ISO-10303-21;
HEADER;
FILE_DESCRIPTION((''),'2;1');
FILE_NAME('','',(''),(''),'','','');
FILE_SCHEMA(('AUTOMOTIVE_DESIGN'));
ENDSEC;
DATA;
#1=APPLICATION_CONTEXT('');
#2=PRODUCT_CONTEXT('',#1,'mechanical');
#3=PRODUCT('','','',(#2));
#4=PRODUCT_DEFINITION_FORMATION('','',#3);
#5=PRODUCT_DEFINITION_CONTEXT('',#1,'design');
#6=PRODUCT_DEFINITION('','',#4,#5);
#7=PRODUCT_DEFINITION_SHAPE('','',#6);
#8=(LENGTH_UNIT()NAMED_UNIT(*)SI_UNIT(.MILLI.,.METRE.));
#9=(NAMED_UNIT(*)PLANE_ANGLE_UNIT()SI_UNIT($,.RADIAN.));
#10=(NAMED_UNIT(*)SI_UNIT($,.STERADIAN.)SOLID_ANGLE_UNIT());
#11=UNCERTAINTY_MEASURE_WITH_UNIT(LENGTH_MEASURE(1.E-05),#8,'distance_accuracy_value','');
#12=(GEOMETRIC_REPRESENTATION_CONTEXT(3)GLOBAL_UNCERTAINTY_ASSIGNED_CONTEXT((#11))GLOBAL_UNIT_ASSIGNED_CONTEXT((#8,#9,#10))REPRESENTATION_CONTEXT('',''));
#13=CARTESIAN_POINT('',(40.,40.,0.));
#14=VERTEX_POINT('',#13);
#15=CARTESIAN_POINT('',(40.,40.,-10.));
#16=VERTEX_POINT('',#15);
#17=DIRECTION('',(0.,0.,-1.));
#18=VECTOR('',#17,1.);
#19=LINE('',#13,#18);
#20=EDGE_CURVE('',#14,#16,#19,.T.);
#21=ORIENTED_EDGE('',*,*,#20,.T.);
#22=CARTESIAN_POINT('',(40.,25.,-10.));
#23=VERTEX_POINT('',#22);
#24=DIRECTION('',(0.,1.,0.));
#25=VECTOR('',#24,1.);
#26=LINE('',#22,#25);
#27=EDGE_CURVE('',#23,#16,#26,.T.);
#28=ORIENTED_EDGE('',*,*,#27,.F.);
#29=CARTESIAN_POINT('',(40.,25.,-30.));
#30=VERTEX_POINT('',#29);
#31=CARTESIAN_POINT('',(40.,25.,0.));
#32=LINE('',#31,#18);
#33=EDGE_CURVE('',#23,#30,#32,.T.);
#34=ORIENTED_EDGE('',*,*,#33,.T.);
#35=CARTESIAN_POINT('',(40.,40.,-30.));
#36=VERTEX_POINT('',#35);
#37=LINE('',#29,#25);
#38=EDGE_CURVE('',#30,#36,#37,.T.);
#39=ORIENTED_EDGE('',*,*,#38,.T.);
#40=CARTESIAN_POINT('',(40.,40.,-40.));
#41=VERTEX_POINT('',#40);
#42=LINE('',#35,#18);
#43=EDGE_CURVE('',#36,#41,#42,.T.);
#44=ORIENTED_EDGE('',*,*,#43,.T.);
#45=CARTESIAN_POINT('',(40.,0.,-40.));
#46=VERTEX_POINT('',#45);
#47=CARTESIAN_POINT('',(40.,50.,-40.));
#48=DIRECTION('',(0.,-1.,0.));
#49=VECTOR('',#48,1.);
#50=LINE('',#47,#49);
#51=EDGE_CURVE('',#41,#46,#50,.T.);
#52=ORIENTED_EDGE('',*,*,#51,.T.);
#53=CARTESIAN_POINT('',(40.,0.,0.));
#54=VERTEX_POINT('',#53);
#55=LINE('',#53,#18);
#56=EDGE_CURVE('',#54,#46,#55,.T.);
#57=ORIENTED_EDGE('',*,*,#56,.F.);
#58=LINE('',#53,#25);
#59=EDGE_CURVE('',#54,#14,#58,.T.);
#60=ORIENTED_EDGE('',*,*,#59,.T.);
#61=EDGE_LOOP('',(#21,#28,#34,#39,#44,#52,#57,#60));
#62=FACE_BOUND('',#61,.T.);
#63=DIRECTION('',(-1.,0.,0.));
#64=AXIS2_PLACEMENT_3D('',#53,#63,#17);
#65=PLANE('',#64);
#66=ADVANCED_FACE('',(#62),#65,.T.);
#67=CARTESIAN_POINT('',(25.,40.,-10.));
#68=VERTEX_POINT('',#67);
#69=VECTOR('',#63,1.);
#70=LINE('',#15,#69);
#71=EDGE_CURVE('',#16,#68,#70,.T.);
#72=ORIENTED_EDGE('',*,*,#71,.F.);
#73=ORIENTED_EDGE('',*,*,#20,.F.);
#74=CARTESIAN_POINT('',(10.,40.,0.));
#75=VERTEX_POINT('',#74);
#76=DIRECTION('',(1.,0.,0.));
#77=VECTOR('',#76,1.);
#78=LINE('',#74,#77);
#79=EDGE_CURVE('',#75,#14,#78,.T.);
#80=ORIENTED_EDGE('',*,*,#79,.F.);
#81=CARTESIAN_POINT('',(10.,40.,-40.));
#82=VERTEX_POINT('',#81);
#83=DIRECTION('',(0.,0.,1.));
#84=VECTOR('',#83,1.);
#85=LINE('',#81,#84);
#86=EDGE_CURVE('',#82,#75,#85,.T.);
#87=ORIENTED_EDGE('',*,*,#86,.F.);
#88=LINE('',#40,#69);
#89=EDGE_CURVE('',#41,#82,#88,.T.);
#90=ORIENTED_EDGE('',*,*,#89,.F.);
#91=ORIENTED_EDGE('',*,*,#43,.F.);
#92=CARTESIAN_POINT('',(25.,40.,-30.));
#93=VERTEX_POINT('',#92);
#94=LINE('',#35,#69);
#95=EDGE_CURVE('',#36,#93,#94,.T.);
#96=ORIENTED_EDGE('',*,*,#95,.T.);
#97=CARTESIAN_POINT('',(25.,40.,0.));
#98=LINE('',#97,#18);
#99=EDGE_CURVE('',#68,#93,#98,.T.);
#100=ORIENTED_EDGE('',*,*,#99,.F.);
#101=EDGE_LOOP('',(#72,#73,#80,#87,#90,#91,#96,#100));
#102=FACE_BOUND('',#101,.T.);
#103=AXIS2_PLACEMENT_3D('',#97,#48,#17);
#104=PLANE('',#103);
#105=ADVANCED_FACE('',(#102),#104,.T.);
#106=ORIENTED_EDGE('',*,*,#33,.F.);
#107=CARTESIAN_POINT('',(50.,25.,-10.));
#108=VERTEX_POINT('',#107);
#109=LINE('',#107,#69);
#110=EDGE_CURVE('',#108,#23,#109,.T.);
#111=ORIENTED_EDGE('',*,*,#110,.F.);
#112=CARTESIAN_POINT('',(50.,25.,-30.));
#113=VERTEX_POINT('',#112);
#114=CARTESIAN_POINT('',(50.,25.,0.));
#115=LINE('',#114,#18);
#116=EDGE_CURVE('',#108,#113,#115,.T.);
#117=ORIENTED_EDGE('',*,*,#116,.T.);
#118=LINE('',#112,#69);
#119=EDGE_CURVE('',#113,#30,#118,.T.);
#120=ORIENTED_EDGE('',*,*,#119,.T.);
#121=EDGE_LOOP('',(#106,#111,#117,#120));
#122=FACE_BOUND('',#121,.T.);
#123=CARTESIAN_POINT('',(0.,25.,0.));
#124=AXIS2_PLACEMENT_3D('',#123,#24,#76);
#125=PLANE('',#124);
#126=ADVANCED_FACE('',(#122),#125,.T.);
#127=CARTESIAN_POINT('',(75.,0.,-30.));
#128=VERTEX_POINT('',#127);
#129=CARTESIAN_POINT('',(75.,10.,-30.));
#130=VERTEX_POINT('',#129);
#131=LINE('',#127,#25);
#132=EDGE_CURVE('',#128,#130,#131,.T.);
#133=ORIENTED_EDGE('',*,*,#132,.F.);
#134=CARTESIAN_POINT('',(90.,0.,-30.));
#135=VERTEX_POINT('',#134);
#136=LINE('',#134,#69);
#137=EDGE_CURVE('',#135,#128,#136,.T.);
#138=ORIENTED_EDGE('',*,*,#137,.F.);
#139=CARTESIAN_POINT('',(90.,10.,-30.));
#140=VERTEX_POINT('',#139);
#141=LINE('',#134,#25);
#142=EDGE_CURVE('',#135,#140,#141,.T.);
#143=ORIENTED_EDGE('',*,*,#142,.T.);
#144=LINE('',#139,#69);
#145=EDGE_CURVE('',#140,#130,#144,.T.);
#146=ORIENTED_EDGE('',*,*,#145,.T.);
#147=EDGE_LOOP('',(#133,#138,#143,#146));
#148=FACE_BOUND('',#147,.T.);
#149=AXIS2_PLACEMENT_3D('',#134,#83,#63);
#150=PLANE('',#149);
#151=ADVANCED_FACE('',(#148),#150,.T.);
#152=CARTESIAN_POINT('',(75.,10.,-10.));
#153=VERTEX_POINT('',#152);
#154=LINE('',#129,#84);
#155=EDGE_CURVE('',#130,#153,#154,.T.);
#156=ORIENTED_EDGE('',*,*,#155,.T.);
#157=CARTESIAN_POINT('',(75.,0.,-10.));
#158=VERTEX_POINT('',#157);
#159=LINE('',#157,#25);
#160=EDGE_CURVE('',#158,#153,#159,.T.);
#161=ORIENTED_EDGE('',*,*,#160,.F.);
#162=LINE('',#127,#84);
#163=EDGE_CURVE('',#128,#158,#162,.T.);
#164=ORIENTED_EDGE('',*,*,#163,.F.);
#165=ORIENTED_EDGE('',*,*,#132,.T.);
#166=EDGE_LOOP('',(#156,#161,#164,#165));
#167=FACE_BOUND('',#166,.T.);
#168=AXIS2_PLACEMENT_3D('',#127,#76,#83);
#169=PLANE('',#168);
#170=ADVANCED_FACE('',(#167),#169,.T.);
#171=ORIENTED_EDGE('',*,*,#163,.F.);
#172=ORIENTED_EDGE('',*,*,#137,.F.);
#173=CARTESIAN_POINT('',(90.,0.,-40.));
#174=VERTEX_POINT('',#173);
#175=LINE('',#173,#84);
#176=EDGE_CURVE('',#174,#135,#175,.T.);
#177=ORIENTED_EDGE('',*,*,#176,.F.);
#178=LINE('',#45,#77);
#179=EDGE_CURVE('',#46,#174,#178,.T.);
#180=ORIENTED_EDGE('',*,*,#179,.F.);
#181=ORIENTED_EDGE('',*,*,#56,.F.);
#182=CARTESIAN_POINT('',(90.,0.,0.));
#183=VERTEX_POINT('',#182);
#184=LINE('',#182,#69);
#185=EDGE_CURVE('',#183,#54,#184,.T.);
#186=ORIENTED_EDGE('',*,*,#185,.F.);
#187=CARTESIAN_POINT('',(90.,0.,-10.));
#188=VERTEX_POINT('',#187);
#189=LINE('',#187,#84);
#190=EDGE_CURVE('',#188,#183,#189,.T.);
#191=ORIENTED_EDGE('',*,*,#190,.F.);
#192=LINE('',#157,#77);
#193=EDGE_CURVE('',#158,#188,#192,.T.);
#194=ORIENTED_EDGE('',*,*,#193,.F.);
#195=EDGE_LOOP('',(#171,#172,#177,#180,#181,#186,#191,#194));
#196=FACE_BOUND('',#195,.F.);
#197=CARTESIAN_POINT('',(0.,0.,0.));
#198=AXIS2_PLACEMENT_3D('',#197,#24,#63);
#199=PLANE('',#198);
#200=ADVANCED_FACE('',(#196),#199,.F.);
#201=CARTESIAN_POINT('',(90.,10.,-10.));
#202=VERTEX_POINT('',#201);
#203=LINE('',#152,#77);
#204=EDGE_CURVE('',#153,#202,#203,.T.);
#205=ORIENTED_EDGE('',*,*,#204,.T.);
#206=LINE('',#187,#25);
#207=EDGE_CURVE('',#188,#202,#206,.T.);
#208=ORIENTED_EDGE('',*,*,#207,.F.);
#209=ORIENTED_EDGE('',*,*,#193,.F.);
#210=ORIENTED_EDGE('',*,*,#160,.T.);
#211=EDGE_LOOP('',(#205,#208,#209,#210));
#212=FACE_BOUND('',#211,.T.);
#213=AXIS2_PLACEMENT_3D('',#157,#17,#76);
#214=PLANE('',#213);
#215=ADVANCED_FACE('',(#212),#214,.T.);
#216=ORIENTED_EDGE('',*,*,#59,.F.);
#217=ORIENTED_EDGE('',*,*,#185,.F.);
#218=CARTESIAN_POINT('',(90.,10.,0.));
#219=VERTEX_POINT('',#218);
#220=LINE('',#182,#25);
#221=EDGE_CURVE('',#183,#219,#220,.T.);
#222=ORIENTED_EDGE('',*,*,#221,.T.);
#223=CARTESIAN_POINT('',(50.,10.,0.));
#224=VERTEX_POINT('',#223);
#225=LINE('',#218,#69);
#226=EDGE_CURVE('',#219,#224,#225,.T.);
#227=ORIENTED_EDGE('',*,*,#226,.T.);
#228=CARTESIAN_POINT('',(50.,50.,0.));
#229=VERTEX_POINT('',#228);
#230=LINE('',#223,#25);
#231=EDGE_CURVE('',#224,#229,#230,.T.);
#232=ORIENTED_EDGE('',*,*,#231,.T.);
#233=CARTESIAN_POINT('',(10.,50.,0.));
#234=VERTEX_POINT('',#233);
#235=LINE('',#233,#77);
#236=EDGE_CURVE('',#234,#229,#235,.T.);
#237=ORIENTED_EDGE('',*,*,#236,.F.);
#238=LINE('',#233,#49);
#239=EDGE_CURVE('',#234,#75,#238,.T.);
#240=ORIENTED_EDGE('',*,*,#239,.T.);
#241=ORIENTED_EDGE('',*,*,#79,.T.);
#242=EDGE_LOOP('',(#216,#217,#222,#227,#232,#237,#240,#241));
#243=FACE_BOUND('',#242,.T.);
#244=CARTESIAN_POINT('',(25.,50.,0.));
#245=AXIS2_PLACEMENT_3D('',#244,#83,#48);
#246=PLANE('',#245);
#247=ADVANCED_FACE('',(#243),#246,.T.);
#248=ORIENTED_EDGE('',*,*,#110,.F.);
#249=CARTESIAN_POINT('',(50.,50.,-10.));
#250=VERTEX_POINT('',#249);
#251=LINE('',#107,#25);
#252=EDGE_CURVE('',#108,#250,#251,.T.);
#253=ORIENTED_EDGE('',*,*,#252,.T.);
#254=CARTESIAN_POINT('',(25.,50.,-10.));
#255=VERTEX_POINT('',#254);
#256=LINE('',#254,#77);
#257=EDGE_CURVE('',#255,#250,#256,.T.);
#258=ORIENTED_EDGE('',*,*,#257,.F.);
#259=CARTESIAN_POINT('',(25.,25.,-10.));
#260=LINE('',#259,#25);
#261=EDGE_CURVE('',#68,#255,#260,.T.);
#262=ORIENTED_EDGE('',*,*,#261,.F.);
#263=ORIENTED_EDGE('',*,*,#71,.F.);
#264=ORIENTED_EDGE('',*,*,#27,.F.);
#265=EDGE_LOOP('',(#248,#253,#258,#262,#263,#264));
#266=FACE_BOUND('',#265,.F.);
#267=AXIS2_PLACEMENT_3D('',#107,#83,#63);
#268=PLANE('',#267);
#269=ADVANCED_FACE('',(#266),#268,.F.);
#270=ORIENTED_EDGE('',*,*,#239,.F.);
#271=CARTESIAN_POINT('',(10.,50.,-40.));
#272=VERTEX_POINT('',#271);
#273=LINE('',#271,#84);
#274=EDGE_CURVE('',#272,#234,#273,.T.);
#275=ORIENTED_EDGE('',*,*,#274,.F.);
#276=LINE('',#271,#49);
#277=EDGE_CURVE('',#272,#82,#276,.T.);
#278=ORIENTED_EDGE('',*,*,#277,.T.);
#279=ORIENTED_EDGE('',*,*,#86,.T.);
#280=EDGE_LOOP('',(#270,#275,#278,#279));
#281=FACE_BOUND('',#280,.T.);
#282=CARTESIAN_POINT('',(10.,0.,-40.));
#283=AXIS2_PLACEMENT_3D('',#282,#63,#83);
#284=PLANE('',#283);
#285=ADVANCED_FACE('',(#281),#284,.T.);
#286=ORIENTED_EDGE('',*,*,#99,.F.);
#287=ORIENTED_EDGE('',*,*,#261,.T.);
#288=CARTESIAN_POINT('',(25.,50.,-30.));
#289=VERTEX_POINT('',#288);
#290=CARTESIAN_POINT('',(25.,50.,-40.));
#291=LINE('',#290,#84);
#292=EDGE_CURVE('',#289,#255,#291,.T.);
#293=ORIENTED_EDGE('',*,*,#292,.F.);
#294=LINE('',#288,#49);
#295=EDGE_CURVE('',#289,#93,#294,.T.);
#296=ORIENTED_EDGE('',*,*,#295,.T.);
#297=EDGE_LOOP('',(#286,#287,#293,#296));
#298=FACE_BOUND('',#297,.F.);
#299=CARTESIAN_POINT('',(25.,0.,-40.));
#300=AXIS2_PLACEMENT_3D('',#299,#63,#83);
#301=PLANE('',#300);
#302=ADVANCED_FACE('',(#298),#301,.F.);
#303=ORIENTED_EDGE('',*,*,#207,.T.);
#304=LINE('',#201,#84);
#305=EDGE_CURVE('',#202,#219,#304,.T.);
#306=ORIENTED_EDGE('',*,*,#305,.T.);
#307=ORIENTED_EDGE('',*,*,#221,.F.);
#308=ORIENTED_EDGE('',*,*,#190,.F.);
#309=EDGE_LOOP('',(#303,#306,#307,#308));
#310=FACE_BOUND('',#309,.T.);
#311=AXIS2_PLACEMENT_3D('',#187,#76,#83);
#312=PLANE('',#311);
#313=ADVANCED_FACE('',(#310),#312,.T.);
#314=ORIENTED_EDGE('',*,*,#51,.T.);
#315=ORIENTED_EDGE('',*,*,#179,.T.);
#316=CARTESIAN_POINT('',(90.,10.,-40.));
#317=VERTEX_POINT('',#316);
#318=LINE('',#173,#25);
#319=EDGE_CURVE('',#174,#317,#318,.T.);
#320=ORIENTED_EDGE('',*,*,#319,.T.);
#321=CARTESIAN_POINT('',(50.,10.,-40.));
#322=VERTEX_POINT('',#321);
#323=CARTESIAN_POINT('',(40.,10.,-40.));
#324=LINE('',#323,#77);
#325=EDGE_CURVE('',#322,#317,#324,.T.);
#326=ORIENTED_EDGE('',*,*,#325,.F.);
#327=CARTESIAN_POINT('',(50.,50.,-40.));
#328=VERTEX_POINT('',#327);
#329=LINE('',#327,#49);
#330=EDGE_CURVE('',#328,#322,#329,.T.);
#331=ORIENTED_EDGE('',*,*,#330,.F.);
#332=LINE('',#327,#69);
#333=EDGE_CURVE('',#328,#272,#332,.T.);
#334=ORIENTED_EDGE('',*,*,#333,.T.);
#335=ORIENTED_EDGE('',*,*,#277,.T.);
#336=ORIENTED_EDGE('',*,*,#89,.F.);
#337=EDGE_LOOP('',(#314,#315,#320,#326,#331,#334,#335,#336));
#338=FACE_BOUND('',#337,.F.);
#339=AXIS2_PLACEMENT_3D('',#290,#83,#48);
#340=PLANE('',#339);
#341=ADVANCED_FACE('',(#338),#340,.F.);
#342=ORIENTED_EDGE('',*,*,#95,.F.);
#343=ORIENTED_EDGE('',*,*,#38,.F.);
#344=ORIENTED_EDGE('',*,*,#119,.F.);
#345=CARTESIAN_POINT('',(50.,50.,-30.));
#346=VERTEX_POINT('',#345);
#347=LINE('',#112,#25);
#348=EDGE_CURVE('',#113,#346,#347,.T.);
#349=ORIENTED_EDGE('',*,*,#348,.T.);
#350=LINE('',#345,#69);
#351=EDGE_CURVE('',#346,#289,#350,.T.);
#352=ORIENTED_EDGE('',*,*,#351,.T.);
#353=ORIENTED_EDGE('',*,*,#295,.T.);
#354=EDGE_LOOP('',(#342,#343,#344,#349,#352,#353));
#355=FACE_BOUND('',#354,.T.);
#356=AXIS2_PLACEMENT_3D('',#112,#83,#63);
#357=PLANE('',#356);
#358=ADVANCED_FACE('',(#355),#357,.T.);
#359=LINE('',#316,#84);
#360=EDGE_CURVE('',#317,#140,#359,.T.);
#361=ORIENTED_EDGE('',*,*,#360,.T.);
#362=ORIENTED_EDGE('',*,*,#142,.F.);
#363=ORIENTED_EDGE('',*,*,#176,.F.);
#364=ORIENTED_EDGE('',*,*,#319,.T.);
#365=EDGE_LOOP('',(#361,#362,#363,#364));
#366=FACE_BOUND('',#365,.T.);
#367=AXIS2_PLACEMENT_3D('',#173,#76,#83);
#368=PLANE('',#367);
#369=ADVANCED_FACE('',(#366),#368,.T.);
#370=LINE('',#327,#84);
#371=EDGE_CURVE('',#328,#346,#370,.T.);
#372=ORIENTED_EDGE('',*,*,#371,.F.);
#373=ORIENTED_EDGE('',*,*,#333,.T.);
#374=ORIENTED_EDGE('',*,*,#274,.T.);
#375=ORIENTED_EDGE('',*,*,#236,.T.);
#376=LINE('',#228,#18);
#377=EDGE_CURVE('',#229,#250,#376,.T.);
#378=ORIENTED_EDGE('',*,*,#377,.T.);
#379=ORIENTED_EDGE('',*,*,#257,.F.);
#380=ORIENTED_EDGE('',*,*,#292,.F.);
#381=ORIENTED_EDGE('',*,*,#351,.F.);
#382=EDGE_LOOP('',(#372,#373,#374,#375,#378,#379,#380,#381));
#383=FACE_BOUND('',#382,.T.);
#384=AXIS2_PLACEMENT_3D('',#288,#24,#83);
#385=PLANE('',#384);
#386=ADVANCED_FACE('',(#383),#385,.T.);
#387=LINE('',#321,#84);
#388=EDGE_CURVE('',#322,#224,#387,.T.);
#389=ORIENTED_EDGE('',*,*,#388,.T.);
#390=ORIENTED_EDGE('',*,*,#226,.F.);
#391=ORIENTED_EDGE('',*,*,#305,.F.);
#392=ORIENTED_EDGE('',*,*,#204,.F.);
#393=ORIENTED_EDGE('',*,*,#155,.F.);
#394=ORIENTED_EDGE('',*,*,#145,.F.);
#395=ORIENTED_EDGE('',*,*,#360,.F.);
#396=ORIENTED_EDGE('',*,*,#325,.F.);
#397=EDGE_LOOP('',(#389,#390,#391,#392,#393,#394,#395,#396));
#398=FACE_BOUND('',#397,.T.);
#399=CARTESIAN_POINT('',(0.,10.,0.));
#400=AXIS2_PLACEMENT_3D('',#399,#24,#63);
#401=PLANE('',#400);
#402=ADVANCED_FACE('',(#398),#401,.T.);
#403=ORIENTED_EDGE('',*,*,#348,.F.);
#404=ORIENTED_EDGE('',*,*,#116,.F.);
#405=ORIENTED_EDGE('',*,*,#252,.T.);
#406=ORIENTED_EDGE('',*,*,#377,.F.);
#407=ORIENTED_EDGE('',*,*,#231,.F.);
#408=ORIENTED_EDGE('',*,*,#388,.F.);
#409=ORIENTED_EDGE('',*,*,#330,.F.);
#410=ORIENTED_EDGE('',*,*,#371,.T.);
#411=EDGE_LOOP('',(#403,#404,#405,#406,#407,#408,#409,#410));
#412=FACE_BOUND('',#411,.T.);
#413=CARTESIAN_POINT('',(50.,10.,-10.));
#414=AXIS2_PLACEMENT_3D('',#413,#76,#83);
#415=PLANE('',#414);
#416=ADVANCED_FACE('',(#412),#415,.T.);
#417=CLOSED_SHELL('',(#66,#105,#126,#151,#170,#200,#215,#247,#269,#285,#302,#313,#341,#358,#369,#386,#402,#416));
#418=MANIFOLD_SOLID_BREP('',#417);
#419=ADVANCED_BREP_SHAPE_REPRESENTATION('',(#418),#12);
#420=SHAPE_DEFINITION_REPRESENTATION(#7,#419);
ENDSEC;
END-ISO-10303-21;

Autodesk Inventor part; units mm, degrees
ref_plane "YZ Plane" through (0, 0, 0) normal (1, 0, 0) x (0, 1, 0)
ref_plane "XZ Plane" through (0, 0, 0) normal (0, 1, 0) x (-1, 0, 0)
ref_plane "XY Plane" through (0, 0, 0) normal (0, 0, 1) x (1, 0, 0)
sketch "Sketch1" plane through (0, 0, 0) normal (0, 1, 0) x (-1, 0, 0)
  line L0 (-40, 0) -> (-40, -40)
  line L1 (-40, -40) -> (-90, -40)
  line L2 (-90, -40) -> (-90, -30)
  line L3 (-90, -30) -> (-75, -30)
  line L4 (-75, -30) -> (-75, -10)
  line L5 (-75, -10) -> (-90, -10)
  line L6 (-90, -10) -> (-90, 0)
  line L7 (-90, 0) -> (-40, 0)
  point P0 (0, 0)
extrude "Extrusion1" add sketch "Sketch1" along normal blind 10
sketch "Sketch2" plane through (0, 10, 0) normal (0, 1, 0) x (1, 0, 0)
  line L0 (40, 0) -> (40, 40) projected
  line L1 (40, 0) -> (40, 40)
  line L2 (40, 40) -> (50, 40)
  line L3 (40, 40) -> (90, 40) projected
  line L4 (50, 40) -> (50, 0)
  line L5 (50, 0) -> (40, 0)
  line L6 (40, 10) -> (50, 10)
  line L7 (40, 30) -> (50, 30)
  line L8 (40, 40) -> (40, 0) projected
  line L9 (40, 10) -> (40, 0)
  line L10 (40, 0) -> (50, 0)
  line L11 (50, 10) -> (50, 0)
  line L12 (40, 0) -> (90, 0) projected
  line L13 (50, 30) -> (50, 40)
  line L14 (90, 40) -> (40, 40) projected
  line L15 (40, 40) -> (50, 40)
  line L16 (40, 40) -> (40, 30)
  point P0 (0, 0)
extrude "Extrusion2" add sketch "Sketch2" along normal blind 15
sketch "Sketch3" plane through (0, 25, 0) normal (0, 1, 0) x (1, 0, 0)
  line L0 (40, 0) -> (40, 40) projected
  line L1 (40, 0) -> (50, 0)
  line L2 (50, 0) -> (50, 10)
  line L3 (50, 10) -> (40, 10)
  line L4 (40, 10) -> (40, 0)
  line L5 (50, 40) -> (40, 40) projected
  line L6 (40, 40) -> (50, 40)
  line L7 (50, 40) -> (50, 30)
  line L8 (50, 40) -> (50, 0) projected
  line L9 (50, 30) -> (40, 30)
  line L10 (40, 30) -> (40, 40)
  point P0 (0, 0)
extrude "Extrusion3" add sketch "Sketch3" along normal blind 25 contours L0 L3 L2 L1 | L0 L5 L7 L9
sketch "Sketch4" plane through (40, 0, -40) normal (-1, 0, 0) x (0, 0, 1)
  line L0 (0, 10) -> (0, 50) projected
  line L1 (10, 50) -> (0, 50) projected
  line L2 (0, 50) -> (10, 50)
  line L3 (10, 50) -> (10, 40)
  line L4 (10, 25) -> (10, 50) projected
  line L5 (10, 40) -> (0, 40)
  line L6 (0, 40) -> (0, 50)
  line L7 (40, 50) -> (30, 50) projected
  line L8 (30, 50) -> (40, 50)
  line L9 (40, 50) -> (40, 40)
  line L10 (40, 10) -> (40, 50) projected
  line L11 (40, 40) -> (30, 40)
  line L12 (30, 25) -> (30, 50) projected
  line L13 (30, 40) -> (30, 50)
  point P0 (40, 0)
extrude "Extrusion4" add sketch "Sketch4" along normal blind 15
sketch "Sketch5" plane through (25, 0, -40) normal (-1, 0, 0) x (0, 0, 1)
  line L0 (10, 50) -> (0, 50) projected
  line L1 (0, 50) -> (40, 50)
  line L2 (40, 50) -> (40, 40)
  line L3 (40, 40) -> (0, 40)
  line L4 (40, 40) -> (30, 40) projected
  line L5 (0, 50) -> (0, 40) projected
  line L6 (0, 40) -> (0, 50)
  point P0 (40, 0)
extrude "Extrusion5" add sketch "Sketch5" along normal blind 15
properties part number "P3-6"
